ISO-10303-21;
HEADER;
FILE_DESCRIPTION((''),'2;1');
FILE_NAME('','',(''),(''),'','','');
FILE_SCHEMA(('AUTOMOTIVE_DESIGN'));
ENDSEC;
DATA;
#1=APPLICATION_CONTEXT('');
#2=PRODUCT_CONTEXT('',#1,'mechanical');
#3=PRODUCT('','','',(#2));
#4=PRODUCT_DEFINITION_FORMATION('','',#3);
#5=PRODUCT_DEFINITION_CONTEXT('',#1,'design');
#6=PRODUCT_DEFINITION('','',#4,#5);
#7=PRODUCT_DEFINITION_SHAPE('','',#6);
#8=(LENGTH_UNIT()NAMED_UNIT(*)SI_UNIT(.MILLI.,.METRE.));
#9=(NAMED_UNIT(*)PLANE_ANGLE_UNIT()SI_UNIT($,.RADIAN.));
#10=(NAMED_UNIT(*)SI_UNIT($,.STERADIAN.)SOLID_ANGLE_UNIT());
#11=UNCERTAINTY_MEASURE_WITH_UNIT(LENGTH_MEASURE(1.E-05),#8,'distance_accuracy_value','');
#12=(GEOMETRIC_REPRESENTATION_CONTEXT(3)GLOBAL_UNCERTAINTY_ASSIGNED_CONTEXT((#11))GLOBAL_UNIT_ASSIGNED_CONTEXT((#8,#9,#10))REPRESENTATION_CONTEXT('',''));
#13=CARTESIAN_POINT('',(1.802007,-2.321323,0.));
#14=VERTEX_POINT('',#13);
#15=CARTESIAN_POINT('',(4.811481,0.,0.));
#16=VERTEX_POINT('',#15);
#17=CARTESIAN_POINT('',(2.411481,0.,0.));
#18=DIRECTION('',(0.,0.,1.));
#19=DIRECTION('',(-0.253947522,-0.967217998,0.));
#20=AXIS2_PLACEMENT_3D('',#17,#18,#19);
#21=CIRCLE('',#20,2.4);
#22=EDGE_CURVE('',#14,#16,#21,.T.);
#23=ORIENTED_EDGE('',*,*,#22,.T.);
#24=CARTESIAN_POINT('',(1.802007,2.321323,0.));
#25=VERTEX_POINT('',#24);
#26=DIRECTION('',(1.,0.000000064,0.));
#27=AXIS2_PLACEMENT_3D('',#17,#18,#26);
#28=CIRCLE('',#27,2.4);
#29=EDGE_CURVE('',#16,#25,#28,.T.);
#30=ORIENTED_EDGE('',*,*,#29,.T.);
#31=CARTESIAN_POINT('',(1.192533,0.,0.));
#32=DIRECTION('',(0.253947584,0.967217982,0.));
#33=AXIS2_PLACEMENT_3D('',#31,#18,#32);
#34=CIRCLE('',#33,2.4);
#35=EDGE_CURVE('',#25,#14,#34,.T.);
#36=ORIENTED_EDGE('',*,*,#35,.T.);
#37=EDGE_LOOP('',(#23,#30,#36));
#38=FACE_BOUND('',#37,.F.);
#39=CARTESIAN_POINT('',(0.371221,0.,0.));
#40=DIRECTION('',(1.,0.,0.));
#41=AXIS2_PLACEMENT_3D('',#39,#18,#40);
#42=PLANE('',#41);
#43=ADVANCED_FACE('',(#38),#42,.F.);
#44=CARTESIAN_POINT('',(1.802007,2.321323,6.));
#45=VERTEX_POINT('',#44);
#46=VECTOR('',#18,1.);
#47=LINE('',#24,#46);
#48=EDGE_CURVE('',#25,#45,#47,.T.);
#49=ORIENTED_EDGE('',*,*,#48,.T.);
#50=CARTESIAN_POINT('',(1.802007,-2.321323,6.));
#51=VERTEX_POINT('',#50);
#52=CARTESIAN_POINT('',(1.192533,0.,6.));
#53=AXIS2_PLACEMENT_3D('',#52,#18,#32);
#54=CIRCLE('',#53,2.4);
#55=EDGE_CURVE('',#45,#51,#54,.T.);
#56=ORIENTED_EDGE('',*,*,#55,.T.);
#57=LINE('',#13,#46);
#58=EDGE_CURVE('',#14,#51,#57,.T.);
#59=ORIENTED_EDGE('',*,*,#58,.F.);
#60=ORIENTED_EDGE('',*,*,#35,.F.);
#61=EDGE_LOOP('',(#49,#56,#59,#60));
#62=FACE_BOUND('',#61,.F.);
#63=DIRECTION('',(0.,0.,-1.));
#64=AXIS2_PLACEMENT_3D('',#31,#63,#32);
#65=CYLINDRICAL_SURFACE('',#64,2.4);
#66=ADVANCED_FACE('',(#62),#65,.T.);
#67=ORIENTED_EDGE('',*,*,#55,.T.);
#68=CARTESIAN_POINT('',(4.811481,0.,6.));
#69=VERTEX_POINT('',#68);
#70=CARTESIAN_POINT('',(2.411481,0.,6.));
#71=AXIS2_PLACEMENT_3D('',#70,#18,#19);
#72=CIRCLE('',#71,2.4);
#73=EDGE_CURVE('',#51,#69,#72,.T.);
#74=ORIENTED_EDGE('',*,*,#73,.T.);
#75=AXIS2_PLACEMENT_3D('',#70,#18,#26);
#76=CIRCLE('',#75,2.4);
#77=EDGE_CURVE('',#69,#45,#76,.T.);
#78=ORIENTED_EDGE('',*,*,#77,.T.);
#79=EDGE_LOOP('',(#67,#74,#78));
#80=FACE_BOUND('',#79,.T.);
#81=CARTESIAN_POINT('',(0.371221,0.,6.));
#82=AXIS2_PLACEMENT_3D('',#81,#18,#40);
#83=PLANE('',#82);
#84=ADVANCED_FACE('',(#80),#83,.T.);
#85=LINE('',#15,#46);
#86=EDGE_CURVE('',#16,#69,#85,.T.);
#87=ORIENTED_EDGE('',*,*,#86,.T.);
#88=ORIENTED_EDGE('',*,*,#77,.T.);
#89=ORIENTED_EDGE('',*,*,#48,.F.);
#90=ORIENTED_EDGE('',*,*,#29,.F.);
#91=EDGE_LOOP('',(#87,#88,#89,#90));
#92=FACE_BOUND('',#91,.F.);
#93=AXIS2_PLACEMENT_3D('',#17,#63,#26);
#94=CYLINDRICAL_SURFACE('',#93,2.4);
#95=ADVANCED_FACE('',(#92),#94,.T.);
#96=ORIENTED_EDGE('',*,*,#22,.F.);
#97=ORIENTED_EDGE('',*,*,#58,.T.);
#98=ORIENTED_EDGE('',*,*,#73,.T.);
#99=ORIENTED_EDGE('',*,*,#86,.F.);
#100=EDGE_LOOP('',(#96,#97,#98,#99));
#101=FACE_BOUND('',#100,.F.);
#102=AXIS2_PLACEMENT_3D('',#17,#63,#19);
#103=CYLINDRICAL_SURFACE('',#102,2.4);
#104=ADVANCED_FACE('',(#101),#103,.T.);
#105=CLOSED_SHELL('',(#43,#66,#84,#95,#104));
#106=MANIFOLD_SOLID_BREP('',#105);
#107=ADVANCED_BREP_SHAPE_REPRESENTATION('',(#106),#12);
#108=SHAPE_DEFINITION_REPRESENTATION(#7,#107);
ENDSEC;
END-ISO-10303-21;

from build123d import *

# Parameters (mm, degrees)
F1_DEPTH = 6


with BuildPart() as f1:
    # F0 (on Top) → F1 (new body)
    with BuildSketch(Plane.XY):
        with BuildLine():
            ThreePointArc((1.802007, -2.321323), (0.011481, 0), (1.802007, 2.321323))
            ThreePointArc((1.802007, 2.321323), (-1.207467, 0), (1.802007, -2.321323))
        make_face()
        with BuildLine():
            ThreePointArc((1.802007, -2.321323), (3.877302, -1.90036), (4.811481, 0))
            ThreePointArc((4.811481, 0), (3.877302, 1.90036), (1.802007, 2.321323))
            ThreePointArc((1.802007, 2.321323), (3.092893, 1.465821), (3.592533, 0))
            ThreePointArc((3.592533, 0), (3.092893, -1.465821), (1.802007, -2.321323))
        make_face()
        with BuildLine():
            ThreePointArc((3.592533, 0), (3.092893, 1.465821), (1.802007, 2.321323))
            ThreePointArc((1.802007, 2.321323), (0.011481, 0), (1.802007, -2.321323))
            ThreePointArc((1.802007, -2.321323), (3.092893, -1.465821), (3.592533, 0))
        make_face()
    extrude(amount=F1_DEPTH)


solid = f1.part
